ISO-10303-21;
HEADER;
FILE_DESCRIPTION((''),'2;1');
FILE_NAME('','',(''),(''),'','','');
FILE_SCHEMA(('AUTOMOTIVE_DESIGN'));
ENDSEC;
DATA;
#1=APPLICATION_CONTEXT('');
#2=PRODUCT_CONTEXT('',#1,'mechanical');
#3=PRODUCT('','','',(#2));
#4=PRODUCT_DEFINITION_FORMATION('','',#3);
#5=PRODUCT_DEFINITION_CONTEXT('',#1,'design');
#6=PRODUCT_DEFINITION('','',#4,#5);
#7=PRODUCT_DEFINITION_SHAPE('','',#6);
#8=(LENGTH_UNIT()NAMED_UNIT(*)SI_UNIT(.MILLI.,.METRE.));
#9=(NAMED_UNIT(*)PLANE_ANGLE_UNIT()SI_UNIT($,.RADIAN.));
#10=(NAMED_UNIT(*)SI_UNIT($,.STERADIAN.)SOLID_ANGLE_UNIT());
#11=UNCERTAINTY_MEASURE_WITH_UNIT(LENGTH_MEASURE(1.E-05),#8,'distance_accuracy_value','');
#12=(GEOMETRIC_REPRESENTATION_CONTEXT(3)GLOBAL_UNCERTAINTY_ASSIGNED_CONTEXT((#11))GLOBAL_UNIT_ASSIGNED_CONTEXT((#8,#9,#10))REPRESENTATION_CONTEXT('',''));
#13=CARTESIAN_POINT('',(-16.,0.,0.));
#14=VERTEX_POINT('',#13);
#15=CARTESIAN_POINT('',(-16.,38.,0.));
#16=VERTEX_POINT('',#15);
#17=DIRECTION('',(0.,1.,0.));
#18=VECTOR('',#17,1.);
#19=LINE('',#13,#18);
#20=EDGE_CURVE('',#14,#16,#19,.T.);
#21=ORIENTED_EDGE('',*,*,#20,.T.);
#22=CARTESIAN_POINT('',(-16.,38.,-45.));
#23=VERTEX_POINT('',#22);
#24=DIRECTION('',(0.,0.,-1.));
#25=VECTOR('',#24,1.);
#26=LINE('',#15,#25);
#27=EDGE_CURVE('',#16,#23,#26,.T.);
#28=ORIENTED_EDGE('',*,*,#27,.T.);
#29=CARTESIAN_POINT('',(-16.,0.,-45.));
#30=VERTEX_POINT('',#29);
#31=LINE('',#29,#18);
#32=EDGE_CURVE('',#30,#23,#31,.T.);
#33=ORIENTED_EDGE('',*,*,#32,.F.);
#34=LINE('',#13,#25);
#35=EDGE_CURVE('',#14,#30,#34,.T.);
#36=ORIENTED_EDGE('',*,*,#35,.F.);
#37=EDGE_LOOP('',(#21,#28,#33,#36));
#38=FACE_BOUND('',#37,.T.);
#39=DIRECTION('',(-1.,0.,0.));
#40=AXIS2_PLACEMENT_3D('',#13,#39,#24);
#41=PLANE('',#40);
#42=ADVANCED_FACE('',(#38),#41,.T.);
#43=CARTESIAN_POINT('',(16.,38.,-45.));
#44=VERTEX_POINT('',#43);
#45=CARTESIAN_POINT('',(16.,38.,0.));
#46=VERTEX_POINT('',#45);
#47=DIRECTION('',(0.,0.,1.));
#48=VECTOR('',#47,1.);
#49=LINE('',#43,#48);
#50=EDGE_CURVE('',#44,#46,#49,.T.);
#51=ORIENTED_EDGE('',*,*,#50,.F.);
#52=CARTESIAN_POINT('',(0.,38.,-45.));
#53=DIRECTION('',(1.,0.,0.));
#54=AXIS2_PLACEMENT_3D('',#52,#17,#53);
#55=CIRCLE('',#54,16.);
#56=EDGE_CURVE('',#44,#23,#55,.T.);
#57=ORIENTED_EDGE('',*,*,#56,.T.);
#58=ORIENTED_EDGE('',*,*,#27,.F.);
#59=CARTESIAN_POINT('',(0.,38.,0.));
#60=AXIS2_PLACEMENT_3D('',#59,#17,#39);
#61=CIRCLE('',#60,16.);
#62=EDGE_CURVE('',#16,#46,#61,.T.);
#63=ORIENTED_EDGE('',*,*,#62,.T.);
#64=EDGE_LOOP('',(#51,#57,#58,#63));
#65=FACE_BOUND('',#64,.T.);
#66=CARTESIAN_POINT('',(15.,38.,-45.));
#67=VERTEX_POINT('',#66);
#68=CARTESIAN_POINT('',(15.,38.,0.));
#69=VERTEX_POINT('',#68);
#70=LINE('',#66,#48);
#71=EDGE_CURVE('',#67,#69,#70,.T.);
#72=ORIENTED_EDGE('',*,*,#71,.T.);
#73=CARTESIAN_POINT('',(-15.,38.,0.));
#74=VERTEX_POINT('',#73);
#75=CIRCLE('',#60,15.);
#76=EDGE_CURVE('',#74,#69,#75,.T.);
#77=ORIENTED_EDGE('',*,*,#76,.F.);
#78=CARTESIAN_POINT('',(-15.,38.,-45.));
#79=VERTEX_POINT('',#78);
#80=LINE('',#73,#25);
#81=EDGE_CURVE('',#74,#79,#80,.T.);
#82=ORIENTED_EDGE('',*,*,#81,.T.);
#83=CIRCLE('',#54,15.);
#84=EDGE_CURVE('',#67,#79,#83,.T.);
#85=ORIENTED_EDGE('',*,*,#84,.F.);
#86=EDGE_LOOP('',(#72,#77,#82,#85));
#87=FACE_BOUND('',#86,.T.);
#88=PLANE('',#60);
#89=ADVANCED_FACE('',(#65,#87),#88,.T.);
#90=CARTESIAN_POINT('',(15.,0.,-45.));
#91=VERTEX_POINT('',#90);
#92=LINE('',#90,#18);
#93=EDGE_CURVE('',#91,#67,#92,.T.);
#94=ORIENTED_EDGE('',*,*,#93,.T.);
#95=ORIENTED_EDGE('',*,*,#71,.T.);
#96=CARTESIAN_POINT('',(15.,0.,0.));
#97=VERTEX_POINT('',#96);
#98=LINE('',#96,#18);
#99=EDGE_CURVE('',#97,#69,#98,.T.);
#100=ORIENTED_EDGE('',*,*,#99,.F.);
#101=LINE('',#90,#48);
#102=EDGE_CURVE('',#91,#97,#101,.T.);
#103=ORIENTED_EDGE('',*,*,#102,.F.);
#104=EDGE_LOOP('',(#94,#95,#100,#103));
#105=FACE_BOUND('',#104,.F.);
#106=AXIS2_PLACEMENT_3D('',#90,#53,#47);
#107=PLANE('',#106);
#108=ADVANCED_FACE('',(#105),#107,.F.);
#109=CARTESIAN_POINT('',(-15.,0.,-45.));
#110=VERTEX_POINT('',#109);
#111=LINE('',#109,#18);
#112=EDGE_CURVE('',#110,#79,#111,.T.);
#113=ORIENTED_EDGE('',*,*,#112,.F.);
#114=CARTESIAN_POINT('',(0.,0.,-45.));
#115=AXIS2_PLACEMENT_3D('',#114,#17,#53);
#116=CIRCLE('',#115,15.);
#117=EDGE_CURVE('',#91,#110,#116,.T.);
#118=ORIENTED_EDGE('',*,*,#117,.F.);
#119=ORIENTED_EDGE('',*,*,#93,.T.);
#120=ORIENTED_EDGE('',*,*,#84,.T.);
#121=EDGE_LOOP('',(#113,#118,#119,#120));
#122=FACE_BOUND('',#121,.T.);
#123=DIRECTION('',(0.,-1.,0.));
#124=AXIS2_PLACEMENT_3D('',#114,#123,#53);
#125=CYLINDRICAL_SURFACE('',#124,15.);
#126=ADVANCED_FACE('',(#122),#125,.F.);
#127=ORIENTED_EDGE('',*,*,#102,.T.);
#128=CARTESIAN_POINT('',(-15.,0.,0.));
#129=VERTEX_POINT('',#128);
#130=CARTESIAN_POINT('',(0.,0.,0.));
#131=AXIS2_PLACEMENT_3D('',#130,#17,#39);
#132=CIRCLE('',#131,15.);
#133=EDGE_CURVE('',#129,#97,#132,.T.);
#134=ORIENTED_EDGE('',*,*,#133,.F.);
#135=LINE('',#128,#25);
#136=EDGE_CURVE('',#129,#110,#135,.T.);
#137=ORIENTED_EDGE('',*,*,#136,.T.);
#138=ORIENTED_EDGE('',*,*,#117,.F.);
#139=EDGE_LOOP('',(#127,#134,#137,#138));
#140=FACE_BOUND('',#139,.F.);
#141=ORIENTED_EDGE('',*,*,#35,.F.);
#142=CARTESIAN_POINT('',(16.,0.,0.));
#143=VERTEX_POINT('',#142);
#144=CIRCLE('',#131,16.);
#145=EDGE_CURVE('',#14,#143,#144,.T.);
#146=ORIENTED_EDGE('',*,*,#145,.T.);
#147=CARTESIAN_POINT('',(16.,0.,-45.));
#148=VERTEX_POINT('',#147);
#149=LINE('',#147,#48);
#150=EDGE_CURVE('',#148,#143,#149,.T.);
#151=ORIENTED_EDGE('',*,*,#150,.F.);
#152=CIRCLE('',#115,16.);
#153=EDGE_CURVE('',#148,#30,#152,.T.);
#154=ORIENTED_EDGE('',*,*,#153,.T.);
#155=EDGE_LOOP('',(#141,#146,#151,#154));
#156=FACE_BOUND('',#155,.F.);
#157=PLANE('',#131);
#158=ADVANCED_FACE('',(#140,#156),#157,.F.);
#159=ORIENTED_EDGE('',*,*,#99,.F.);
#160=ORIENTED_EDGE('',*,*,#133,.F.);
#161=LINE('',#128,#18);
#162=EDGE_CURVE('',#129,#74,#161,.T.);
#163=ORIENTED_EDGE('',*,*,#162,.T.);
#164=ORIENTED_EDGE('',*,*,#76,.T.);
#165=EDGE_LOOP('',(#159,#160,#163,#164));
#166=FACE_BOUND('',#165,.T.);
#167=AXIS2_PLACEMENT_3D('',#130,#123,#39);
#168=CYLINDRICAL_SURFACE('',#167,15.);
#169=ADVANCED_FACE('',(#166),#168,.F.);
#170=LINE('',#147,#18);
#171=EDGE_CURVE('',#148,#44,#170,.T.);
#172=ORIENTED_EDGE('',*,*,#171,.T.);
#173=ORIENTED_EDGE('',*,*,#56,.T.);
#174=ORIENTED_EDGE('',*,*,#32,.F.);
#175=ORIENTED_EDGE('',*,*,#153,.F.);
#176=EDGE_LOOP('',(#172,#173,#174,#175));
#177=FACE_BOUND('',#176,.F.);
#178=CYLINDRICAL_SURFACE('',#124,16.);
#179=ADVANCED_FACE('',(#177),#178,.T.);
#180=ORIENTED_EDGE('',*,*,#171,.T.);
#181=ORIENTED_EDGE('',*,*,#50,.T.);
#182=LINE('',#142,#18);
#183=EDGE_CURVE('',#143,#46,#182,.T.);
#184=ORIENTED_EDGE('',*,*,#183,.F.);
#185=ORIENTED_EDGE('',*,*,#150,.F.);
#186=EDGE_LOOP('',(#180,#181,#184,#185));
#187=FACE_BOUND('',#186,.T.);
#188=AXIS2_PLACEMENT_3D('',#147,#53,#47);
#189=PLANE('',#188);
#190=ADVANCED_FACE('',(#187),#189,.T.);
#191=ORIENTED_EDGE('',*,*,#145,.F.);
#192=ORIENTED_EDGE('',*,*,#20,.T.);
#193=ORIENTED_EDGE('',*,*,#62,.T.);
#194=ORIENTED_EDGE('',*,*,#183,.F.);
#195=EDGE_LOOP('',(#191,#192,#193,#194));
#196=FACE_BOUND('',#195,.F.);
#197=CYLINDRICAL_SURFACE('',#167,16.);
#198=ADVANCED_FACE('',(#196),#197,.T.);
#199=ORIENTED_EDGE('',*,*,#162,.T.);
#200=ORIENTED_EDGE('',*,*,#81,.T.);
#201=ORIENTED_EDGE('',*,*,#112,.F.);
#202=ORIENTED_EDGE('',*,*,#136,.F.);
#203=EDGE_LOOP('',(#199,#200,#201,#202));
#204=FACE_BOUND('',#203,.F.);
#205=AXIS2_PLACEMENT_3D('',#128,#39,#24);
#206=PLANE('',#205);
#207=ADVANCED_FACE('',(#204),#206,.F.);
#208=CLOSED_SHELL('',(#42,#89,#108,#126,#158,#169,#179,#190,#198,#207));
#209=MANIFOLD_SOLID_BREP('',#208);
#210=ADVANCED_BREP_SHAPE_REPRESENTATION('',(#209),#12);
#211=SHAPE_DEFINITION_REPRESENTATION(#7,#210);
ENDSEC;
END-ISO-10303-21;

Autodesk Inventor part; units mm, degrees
ref_plane "YZ Plane" through (0, 0, 0) normal (1, 0, 0) x (0, 1, 0)
ref_plane "XZ Plane" through (0, 0, 0) normal (0, 1, 0) x (-1, 0, 0)
ref_plane "XY Plane" through (0, 0, 0) normal (0, 0, 1) x (1, 0, 0)
sketch "Boceto1" plane through (0, 0, 0) normal (0, 1, 0) x (-1, 0, 0)
  arc A0 (16, 0) -> (-16, 0) centre (0, 0) ccw
  line L0 (0, 0) -> (45, 0) construction
  arc A1 (-16, -45) -> (16, -45) centre (0, -45) ccw
  line L1 (16, 0) -> (16, -45)
  line L2 (-16, -45) -> (-16, 0)
  arc A2 (15, 0) -> (-15, 0) centre (0, 0) ccw
  arc A3 (-15, -45) -> (15, -45) centre (0, -45) ccw
  line L3 (15, 0) -> (15, -45)
  line L4 (-15, -45) -> (-15, 0)
  dimension "d0" = 32
  dimension "d3" = 32
  dimension "d4" = 30
  dimension "d5" = 30
extrude "Extrusión1" add sketch "Boceto1" along normal blind 38
properties part number "Cinta"
